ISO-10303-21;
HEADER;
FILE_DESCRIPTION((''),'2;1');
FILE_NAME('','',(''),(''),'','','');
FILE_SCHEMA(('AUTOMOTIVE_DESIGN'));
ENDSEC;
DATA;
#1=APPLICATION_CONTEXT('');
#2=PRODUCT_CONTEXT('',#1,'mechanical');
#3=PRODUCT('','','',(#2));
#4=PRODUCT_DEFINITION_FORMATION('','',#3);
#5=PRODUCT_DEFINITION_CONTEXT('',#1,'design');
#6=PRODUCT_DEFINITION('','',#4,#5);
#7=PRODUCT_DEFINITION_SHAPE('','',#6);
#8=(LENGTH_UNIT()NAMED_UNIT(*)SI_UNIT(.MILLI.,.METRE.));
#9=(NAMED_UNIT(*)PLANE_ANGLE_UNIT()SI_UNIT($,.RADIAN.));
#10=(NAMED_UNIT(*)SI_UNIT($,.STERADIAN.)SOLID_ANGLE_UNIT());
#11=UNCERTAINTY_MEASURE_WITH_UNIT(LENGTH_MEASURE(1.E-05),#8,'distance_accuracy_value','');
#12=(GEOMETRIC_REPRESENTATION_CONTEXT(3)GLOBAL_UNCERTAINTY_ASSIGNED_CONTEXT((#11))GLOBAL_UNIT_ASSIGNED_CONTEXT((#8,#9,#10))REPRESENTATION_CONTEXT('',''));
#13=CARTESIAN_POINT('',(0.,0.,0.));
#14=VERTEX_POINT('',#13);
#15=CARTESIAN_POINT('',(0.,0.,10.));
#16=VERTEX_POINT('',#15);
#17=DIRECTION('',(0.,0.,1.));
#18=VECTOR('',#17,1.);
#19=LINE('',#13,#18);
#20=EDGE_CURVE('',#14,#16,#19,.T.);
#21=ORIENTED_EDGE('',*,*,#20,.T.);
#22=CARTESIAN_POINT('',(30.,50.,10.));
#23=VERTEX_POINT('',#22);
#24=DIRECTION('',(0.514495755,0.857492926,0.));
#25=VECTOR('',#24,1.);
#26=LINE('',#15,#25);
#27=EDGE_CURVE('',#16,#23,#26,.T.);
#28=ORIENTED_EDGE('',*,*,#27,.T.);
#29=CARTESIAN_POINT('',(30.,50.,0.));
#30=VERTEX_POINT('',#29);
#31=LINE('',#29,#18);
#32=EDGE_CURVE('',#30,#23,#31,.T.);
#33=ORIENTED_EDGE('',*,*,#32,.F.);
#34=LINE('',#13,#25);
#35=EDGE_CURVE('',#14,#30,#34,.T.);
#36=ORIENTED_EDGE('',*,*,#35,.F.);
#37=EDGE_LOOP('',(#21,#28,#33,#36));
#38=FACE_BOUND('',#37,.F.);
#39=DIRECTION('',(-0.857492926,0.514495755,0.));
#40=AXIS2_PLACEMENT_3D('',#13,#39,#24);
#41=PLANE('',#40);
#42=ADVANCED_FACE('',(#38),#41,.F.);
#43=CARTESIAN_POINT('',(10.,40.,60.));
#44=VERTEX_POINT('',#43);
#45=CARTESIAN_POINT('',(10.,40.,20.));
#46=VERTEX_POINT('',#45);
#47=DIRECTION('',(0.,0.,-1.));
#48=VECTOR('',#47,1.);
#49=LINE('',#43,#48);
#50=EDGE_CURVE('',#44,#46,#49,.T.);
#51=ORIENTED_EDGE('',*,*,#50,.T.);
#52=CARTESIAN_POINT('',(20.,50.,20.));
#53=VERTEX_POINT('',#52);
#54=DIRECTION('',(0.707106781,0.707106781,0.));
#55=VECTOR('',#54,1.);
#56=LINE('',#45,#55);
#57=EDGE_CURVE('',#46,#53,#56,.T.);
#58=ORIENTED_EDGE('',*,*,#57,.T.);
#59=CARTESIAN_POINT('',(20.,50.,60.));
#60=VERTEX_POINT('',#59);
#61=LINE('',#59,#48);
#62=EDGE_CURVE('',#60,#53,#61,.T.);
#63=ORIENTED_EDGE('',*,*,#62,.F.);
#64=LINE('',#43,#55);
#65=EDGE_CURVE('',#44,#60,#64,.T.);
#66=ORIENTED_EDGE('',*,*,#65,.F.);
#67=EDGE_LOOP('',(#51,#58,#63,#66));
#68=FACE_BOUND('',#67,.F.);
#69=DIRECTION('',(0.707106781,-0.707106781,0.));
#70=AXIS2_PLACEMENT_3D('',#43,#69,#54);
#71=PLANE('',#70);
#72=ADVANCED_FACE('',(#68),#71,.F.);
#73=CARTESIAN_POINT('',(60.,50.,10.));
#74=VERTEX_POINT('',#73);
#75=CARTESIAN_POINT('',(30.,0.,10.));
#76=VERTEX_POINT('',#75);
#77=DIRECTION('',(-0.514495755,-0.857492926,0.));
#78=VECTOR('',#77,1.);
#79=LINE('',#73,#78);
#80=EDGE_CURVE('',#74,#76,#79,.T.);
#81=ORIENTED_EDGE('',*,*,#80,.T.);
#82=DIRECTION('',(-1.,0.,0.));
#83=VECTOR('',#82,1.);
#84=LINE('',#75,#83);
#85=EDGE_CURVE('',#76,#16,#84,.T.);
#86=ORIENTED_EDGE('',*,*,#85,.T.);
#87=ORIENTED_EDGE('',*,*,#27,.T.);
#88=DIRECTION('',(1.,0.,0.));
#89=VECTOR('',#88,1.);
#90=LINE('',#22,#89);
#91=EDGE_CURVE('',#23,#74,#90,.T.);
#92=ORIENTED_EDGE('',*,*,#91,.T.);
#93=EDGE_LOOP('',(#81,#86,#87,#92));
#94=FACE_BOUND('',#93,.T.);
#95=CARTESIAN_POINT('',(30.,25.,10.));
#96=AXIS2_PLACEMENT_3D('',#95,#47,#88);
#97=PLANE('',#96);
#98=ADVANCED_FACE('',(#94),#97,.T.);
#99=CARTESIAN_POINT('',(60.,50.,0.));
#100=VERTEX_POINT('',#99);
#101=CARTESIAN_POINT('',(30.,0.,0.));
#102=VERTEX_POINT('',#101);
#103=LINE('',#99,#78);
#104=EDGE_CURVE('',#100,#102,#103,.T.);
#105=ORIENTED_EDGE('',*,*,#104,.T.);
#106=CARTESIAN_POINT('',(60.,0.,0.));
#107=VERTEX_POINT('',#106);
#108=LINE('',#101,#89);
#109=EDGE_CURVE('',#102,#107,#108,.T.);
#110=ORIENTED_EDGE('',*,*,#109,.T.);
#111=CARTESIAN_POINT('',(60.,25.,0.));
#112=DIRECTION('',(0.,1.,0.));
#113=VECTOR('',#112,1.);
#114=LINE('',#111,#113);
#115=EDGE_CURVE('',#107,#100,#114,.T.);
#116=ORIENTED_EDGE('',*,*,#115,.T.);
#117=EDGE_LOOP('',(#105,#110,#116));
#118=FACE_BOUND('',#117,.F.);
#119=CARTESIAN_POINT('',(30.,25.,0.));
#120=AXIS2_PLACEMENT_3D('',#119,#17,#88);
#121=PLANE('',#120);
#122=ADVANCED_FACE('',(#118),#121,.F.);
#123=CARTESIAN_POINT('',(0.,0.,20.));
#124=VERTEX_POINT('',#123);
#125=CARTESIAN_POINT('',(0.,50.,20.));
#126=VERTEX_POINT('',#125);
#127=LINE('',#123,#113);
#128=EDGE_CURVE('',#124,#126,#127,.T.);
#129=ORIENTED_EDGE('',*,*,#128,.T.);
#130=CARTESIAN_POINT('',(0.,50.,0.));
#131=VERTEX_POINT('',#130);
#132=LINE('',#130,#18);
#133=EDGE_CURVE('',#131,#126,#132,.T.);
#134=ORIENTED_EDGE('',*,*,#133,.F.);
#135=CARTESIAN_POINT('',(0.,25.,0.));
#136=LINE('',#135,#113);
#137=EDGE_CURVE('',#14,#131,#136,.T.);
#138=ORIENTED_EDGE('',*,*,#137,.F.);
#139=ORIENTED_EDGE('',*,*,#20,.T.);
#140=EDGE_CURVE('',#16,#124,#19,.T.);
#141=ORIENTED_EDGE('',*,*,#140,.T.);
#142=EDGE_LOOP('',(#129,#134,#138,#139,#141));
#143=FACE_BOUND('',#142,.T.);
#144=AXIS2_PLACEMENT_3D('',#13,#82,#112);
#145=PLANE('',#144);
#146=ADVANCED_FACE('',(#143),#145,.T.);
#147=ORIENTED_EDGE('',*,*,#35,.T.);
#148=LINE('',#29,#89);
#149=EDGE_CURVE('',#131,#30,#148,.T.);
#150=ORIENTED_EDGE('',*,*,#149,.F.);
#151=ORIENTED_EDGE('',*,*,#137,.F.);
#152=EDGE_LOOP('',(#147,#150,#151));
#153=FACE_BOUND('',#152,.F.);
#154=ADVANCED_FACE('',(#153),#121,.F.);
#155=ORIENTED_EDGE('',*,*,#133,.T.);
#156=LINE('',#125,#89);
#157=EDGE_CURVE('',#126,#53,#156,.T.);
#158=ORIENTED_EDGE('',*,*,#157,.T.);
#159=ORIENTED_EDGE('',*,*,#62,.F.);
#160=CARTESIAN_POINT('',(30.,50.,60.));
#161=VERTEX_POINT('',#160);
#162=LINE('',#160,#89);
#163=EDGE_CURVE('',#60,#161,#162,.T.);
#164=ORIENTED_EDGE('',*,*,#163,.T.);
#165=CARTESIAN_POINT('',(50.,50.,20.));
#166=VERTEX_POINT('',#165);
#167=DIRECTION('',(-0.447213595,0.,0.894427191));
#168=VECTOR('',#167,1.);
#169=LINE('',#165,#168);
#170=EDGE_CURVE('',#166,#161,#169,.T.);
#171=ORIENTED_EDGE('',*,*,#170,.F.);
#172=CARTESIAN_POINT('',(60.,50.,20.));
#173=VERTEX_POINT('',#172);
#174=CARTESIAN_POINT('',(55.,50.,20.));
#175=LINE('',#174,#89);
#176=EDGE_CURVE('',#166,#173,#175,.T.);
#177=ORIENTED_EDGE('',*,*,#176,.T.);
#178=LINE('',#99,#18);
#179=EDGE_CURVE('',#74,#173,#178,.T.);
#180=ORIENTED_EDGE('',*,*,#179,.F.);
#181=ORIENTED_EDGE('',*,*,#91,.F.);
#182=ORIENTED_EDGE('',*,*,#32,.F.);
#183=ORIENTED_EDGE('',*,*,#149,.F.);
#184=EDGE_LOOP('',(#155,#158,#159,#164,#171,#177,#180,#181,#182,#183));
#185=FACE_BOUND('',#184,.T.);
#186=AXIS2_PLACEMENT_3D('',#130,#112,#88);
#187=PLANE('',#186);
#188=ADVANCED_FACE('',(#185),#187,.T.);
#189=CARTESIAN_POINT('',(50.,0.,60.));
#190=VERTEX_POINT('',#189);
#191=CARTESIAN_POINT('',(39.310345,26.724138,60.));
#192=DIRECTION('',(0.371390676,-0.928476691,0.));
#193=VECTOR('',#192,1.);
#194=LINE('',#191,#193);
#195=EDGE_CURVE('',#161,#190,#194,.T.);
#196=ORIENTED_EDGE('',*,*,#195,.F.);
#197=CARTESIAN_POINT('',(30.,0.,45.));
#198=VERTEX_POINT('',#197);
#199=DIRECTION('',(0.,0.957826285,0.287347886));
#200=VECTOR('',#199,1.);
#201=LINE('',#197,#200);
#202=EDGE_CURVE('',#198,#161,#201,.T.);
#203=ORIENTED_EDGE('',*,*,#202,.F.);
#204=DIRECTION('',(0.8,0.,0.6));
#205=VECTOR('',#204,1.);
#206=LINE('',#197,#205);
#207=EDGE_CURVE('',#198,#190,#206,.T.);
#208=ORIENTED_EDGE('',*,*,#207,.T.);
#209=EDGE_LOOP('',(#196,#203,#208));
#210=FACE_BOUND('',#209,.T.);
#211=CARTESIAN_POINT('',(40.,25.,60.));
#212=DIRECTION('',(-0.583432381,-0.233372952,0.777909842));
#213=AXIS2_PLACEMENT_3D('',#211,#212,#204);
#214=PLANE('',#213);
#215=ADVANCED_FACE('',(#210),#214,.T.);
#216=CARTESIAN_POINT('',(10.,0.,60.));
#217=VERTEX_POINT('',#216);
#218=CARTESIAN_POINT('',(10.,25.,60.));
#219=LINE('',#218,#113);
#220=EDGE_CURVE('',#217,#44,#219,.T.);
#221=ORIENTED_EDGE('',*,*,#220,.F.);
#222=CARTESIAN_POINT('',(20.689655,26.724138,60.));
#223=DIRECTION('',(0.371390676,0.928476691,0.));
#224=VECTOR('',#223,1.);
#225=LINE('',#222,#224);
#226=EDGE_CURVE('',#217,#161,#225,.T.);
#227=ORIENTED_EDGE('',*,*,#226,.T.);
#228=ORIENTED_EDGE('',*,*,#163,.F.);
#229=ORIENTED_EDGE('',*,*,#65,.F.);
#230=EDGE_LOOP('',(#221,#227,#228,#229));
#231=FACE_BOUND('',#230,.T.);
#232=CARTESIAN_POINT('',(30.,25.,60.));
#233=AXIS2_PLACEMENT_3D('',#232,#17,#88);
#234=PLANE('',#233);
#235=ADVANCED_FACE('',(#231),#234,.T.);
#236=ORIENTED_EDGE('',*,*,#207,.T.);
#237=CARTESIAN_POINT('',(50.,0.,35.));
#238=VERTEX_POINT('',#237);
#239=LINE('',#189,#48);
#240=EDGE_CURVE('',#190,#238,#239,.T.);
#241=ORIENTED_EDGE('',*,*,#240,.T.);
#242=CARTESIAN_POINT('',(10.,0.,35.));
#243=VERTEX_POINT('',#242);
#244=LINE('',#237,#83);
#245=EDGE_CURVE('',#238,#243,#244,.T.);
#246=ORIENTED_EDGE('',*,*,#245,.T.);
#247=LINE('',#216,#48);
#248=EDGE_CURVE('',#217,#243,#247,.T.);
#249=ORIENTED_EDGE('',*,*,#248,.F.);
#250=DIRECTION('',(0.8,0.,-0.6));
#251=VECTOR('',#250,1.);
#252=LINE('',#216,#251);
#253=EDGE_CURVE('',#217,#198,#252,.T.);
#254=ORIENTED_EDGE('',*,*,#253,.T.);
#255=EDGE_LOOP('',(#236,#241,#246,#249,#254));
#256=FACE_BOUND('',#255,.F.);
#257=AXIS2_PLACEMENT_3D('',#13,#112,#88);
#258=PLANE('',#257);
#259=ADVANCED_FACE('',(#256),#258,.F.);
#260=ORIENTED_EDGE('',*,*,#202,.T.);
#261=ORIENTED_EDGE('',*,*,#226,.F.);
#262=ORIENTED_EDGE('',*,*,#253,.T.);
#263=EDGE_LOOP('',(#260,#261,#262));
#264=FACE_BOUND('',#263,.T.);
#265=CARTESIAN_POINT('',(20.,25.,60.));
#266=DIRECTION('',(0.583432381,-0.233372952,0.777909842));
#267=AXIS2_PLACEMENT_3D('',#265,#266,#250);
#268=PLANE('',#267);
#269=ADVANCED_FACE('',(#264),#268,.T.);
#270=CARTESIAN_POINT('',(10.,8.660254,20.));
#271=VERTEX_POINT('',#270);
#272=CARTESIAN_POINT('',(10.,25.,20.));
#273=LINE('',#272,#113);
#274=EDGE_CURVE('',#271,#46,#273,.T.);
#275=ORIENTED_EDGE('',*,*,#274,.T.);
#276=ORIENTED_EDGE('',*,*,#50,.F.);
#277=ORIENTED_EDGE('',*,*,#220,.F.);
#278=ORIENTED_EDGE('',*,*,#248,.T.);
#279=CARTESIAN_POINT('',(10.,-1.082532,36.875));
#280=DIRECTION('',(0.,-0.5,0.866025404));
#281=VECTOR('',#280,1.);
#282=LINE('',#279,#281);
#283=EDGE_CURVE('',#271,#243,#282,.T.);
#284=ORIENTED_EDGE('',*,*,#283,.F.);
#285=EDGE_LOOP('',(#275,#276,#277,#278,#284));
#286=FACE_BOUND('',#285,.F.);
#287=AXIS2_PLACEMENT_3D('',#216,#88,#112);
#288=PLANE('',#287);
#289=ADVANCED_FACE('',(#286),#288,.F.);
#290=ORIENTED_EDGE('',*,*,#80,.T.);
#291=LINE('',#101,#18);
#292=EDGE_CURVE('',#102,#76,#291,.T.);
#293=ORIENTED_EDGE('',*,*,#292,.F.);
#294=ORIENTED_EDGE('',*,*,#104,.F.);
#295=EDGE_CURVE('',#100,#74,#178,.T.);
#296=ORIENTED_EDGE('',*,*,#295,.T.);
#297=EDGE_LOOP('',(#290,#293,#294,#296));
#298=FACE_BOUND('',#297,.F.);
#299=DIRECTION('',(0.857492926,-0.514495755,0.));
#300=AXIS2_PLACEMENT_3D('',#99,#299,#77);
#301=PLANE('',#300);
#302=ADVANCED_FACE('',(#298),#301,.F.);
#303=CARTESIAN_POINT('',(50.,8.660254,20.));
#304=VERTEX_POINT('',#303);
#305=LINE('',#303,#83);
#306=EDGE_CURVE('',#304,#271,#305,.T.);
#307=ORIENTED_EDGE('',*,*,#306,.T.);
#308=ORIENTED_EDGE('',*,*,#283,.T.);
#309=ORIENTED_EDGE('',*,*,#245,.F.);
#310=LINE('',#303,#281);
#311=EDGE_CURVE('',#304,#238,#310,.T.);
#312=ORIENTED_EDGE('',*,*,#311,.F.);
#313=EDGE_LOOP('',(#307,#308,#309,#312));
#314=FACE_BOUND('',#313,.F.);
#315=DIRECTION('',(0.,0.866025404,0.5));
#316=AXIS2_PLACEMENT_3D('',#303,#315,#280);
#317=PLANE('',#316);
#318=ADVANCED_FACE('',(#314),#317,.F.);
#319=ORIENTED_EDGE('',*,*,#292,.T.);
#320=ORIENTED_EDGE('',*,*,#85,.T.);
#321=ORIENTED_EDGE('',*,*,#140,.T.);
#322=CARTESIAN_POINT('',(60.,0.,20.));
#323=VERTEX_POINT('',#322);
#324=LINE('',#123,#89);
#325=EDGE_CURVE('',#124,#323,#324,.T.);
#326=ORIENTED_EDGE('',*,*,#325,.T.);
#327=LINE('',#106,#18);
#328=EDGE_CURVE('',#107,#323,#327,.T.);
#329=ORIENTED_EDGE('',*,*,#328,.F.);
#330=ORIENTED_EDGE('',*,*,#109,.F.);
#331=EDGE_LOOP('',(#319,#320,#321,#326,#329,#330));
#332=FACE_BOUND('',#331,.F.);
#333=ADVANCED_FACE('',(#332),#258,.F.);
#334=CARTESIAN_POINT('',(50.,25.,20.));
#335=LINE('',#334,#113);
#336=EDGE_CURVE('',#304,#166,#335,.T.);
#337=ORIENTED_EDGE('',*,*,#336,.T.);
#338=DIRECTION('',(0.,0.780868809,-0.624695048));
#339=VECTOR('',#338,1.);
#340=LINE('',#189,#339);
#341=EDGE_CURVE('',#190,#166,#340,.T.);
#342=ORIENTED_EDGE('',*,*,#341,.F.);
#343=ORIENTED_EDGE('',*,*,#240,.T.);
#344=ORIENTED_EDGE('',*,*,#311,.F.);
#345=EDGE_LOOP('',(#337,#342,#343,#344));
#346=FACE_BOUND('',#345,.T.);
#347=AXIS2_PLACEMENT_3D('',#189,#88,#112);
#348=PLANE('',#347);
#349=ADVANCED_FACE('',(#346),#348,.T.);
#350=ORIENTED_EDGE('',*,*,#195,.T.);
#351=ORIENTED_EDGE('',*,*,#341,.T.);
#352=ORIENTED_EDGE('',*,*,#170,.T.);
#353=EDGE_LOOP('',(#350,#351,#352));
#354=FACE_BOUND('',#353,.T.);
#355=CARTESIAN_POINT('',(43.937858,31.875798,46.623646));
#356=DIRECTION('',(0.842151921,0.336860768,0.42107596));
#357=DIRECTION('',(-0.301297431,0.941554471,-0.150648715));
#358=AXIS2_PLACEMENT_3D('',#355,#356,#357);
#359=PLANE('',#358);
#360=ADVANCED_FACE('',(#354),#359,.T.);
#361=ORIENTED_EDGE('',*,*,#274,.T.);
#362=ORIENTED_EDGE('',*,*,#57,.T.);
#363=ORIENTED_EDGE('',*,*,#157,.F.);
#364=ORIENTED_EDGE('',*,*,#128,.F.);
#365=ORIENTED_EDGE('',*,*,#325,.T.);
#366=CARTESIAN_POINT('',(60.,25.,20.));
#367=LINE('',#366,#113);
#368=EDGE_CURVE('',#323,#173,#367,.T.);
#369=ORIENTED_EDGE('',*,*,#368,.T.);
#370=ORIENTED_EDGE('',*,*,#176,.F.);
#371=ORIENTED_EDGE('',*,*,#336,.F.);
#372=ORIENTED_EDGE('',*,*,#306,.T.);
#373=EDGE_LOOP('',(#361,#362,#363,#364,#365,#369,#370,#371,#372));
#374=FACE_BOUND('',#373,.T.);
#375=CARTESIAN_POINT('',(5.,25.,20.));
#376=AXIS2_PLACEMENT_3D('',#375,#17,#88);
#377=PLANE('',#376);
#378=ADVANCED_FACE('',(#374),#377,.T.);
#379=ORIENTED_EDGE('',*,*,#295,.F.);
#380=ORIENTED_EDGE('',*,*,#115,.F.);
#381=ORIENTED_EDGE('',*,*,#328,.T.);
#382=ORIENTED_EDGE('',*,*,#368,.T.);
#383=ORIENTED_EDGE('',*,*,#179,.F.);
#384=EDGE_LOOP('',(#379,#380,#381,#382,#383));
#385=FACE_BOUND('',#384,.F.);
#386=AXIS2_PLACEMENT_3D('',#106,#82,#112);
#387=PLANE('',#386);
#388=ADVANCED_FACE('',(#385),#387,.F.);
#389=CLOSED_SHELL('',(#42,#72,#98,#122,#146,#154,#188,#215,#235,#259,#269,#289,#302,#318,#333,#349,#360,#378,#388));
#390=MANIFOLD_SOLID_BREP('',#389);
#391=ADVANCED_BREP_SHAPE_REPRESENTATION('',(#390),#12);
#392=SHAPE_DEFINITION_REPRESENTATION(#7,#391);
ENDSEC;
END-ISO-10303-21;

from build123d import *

# Parameters (mm, degrees)
F0_W      = 60
F0_H      = 50
F1_DEPTH  = 60
F2_W      = 10
F2_H      = 50
F3_DEPTH  = 40
F5_DEPTH  = 40
F6_W      = 10
F6_H      = 50
F7_DEPTH  = 40
F14_DEPTH = 10
F16_DEPTH = 50.001
F20_DEPTH = 25


with BuildPart() as f1:
    # F0 (on Top) → F1 (new body)
    with BuildSketch(Plane.XY):
        with Locations((30, 25)):
            Rectangle(F0_W, F0_H)
    extrude(amount=F1_DEPTH)

    # F2 (on face) → F3 (cut)
    with BuildSketch(Plane.XY.offset(60)):
        with Locations((5, 25)):
            Rectangle(F2_W, F2_H)
    extrude(amount=-F3_DEPTH, mode=Mode.SUBTRACT)

    # F4 (on face) → F5 (cut)
    with BuildSketch(Plane.XY.offset(60)):
        Polygon((20, 50), (10, 50), (10, 40), align=None)
    extrude(amount=-F5_DEPTH, mode=Mode.SUBTRACT)

    # F6 (on face) → F7 (cut)
    with BuildSketch(Plane.XY.offset(60)):
        with Locations((55, 25)):
            Rectangle(F6_W, F6_H)
    extrude(amount=-F7_DEPTH, mode=Mode.SUBTRACT)

    # F12: sweep along a path in F11
    with BuildLine(Plane.YZ.offset(30)) as f12_path:
        Line((0, 45), (50, 60))
    # F9 (on face) → F12 (sweep, cut)
    with BuildSketch(Plane.XZ):
        Polygon((50, 60), (10, 60), (30, 45), align=None)
    sweep(path=f12_path.line, mode=Mode.SUBTRACT)

    # F13 (on face) → F14 (cut)
    with BuildSketch(Plane(origin=(0, 0, 0), x_dir=(1, 0, 0), z_dir=(0, 0, -1))):
        Polygon((30, 0), (0, 0), (30, -50), (60, -50), align=None)
    extrude(amount=-F14_DEPTH, mode=Mode.SUBTRACT)

    # F15 (on face) → F16 (cut, through all)
    with BuildSketch(Plane.YZ.offset(50)):
        Polygon((0, 35), (0, 20), (8.6602540378, 20), align=None)
    extrude(amount=-F16_DEPTH, mode=Mode.SUBTRACT)

    # F19 (on 3pt) → F20 (cut)
    with BuildSketch(Plane(origin=(56.7375886525, 22.695035461, 28.3687943262), x_dir=(-0.3012974309, 0.9415544714, -0.1506487154), z_dir=(0.8421519211, 0.3368607684, 0.4210759605))):
        Polygon((28.9998777205, 40.249223595), (-24.103794469, 31.304951685), (28.9998777205, -4.472135955), align=None)
    extrude(amount=F20_DEPTH, mode=Mode.SUBTRACT)


solid = f1.part
